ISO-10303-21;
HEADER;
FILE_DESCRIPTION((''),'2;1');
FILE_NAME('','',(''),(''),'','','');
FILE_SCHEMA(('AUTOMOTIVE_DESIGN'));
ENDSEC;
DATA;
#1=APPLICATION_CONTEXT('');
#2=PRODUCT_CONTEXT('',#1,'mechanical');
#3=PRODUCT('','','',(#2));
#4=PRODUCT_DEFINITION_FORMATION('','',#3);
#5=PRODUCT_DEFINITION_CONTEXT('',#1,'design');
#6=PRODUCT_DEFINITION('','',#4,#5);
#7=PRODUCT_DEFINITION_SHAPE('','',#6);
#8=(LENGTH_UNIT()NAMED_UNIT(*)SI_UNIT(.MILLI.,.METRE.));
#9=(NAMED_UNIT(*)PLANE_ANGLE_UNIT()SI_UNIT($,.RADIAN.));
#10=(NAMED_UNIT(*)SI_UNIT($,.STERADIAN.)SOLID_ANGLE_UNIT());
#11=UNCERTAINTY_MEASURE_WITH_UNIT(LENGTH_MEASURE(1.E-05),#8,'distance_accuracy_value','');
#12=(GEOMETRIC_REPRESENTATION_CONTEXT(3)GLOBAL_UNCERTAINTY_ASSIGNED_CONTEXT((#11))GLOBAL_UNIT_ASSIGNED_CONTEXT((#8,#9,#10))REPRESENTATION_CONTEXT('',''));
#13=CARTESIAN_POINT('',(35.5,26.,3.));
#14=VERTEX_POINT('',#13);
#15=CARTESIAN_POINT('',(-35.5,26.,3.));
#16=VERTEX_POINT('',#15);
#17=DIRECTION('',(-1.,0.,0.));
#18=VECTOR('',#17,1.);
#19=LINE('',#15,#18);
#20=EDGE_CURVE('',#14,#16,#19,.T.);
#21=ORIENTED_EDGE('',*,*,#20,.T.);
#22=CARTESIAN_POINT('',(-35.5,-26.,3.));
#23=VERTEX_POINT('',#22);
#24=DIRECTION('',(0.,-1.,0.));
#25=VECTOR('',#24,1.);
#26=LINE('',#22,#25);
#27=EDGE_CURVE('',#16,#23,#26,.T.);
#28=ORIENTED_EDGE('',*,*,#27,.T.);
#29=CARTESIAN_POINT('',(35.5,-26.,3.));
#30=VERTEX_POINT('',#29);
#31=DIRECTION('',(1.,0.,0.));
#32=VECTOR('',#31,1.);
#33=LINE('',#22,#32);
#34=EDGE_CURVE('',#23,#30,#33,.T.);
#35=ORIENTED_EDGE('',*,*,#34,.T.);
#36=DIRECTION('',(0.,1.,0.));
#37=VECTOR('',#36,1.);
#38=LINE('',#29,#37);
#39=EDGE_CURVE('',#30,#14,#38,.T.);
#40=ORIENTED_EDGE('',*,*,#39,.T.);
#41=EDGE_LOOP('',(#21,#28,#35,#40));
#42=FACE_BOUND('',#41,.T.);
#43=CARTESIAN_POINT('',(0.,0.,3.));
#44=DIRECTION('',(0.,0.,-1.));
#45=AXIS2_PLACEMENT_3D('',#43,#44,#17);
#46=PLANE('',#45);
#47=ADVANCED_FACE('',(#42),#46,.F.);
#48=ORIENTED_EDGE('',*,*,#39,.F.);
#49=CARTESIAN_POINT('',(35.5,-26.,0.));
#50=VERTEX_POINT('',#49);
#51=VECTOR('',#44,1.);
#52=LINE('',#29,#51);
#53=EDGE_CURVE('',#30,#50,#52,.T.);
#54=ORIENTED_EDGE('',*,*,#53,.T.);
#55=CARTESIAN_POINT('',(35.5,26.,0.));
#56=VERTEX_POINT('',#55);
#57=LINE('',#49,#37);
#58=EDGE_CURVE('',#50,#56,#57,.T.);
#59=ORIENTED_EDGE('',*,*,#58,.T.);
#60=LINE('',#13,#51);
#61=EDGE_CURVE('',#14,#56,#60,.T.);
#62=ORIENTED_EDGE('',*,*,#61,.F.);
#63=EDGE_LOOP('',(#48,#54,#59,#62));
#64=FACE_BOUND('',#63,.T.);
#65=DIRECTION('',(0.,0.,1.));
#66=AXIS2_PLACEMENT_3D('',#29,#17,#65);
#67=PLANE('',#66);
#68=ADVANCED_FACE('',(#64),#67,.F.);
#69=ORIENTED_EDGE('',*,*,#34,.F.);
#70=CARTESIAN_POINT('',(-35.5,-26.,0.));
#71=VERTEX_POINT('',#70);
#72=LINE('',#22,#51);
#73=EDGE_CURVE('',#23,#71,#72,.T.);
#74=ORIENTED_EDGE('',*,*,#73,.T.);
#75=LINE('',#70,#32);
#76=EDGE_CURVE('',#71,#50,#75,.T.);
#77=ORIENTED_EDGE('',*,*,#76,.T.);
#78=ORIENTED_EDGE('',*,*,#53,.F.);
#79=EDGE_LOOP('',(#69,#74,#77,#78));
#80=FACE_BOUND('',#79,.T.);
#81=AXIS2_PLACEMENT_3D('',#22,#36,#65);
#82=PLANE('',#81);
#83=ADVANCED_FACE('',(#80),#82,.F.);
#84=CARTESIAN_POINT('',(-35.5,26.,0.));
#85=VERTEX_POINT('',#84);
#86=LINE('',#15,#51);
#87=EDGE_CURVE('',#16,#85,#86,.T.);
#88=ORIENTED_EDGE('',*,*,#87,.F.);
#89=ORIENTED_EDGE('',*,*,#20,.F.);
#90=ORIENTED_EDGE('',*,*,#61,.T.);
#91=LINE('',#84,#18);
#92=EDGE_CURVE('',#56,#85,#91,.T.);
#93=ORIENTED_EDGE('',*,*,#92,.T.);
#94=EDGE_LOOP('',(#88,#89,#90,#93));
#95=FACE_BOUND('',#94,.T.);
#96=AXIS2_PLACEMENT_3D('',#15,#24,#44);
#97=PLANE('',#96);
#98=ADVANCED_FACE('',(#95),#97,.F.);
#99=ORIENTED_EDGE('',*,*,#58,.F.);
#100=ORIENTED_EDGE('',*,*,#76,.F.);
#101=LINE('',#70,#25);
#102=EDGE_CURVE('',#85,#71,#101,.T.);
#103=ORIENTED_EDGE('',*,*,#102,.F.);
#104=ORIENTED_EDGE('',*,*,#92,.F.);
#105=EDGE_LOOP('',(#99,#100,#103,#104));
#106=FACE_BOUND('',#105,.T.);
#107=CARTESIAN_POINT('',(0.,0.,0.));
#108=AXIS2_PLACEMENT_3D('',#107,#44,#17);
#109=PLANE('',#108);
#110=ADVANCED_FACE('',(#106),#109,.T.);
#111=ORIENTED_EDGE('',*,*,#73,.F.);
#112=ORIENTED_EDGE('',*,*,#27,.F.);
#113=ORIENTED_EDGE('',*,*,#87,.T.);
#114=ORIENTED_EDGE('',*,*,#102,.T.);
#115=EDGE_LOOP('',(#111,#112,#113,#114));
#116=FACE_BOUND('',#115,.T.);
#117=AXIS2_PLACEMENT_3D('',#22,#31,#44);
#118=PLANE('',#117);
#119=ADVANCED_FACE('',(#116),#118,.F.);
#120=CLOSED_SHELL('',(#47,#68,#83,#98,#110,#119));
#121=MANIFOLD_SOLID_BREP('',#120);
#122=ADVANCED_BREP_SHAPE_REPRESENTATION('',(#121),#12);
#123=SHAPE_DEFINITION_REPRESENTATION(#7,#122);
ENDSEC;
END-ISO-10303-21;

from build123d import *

# Parameters (mm, degrees)
SKETCH_1_W      = 71
SKETCH_1_H      = 52
EXTRUDE_1_DEPTH = 3


with BuildPart() as part:
    # 草图1 → 凸台-拉伸1 (new body)
    with BuildSketch(Plane.XY):
        Rectangle(SKETCH_1_W, SKETCH_1_H)
    extrude(amount=EXTRUDE_1_DEPTH)


solid = part.part
